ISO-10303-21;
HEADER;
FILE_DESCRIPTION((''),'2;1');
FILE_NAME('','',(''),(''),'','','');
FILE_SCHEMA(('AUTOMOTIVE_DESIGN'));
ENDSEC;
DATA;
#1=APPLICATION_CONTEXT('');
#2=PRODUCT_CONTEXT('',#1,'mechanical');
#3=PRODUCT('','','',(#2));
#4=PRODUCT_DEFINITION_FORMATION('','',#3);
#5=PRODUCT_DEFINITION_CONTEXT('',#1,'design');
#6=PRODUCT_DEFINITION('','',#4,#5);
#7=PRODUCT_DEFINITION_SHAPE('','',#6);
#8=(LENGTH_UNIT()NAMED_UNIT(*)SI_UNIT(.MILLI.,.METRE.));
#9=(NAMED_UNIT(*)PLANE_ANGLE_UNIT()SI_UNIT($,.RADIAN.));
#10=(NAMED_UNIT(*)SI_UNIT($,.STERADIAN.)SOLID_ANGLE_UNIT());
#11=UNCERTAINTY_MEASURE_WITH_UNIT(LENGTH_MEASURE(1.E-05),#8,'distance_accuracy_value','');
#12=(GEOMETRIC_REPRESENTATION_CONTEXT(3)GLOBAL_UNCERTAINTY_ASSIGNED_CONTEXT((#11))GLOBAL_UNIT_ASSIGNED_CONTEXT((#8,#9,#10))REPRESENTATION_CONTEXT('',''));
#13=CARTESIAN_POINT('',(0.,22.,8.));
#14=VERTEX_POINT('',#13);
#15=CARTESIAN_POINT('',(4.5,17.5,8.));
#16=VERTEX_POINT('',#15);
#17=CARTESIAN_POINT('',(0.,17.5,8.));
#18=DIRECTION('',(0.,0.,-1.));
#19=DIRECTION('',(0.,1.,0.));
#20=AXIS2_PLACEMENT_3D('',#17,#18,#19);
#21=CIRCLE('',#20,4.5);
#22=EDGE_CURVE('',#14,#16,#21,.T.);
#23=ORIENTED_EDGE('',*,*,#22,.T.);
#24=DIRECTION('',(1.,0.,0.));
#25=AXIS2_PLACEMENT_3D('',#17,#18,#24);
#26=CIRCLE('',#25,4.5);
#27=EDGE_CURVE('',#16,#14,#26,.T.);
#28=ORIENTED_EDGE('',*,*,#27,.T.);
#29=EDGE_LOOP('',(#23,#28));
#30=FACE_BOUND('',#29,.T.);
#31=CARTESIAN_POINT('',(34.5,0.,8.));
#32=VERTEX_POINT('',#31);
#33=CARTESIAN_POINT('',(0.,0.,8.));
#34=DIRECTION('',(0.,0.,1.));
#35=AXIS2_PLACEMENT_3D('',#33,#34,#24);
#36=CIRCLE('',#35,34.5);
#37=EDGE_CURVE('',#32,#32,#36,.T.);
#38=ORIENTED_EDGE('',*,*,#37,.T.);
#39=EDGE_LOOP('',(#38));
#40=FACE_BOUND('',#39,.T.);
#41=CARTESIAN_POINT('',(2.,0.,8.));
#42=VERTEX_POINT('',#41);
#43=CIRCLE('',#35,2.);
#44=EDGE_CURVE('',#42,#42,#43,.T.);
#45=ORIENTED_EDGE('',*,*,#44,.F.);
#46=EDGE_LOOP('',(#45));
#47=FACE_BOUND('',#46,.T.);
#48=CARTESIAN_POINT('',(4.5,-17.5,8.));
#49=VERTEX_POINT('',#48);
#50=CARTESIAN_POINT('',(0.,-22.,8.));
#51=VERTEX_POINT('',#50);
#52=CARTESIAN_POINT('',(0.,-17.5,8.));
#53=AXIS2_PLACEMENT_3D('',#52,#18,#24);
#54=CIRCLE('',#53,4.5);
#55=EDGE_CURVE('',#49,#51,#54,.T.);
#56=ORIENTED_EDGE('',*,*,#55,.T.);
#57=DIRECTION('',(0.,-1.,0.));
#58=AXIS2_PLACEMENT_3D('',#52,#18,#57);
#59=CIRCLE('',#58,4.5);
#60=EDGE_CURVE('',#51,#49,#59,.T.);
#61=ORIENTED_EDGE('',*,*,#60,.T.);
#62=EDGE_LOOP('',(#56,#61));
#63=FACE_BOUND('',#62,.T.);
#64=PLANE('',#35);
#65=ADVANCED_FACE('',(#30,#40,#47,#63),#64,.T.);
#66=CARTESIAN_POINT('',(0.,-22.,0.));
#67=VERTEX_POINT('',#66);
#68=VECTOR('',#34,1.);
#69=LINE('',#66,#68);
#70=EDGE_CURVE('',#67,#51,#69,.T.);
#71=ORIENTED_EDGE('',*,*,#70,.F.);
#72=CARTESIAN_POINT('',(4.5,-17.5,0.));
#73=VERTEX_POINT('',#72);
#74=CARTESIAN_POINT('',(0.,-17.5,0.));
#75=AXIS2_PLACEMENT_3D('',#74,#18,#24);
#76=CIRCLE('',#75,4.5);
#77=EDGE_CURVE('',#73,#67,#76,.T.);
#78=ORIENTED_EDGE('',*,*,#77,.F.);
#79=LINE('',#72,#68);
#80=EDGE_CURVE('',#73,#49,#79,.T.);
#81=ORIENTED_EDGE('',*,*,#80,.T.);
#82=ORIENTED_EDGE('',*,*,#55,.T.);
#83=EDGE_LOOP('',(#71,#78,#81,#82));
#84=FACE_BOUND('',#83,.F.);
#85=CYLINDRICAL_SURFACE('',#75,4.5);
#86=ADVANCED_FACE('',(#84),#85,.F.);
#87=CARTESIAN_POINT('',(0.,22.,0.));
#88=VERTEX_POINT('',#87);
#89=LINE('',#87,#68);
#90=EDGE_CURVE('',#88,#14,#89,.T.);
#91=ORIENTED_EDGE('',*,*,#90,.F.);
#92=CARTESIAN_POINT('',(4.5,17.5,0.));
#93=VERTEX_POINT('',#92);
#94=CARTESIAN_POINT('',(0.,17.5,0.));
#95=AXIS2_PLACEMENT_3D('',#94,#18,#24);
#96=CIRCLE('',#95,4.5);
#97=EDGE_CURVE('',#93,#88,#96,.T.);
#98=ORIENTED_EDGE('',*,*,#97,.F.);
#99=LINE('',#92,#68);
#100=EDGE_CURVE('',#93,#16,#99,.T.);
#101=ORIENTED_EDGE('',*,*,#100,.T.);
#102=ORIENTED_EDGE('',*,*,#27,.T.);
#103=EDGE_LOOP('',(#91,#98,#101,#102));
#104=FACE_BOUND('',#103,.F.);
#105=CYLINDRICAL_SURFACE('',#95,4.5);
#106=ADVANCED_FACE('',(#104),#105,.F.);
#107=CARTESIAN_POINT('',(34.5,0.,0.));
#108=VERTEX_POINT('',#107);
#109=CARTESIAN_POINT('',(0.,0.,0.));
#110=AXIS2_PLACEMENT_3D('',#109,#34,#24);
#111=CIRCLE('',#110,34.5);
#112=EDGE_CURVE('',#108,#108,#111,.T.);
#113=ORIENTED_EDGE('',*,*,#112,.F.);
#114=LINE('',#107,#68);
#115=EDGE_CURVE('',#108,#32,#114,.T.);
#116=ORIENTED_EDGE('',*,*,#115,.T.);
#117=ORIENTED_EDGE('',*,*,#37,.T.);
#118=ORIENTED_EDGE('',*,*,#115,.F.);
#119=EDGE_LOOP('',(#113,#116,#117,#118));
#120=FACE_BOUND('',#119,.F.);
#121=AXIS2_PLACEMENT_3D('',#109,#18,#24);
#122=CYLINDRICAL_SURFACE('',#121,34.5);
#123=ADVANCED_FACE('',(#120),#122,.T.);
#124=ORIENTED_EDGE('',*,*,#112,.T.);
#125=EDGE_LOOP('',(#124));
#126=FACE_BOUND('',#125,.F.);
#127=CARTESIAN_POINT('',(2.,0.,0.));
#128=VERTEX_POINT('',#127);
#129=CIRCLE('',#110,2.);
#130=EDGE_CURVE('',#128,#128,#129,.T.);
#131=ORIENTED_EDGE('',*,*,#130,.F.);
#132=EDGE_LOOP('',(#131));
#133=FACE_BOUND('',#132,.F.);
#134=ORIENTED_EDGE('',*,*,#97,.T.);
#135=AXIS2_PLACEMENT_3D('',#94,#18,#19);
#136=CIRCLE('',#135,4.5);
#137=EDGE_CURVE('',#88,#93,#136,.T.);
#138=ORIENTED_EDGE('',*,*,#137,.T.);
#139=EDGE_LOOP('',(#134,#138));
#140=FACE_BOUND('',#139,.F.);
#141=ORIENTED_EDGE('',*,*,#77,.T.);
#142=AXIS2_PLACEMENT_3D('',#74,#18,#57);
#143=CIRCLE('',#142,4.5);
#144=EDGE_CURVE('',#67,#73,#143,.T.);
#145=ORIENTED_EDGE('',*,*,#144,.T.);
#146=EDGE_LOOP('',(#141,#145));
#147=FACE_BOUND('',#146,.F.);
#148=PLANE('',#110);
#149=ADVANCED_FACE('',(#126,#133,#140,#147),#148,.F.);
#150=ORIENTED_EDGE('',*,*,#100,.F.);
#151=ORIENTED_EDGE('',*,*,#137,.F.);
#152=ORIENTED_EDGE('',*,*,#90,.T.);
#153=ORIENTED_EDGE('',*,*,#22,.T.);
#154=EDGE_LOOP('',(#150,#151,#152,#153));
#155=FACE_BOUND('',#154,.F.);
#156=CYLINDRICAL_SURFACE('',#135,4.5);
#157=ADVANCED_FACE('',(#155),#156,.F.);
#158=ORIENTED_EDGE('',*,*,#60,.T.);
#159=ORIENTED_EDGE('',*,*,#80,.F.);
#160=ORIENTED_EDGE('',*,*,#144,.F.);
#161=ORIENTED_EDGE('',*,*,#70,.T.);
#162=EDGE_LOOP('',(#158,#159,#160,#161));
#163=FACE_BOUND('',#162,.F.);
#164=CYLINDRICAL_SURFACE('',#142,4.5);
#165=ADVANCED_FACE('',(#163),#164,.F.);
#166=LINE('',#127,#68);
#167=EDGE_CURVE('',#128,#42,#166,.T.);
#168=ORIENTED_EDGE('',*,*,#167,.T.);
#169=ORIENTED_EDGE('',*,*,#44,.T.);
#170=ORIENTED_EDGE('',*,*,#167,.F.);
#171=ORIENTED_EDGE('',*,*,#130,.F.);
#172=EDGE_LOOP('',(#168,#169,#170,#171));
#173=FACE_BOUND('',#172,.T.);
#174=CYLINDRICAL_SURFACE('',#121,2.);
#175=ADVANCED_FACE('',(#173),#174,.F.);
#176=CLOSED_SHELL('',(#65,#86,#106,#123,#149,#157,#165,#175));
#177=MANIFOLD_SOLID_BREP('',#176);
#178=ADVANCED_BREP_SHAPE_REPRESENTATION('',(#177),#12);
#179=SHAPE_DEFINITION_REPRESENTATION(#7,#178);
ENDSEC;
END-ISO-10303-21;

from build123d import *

# Parameters (mm, degrees)
F0_R     = 34.5
F0_R_2   = 2
F1_DEPTH = 8


with BuildPart() as f1:
    # F0 (on Top) → F1 (new body)
    with BuildSketch(Plane.XY):
        Circle(F0_R)
        with BuildLine():
            ThreePointArc((0, 22), (15.5563491861, 15.5563491861), (22, 0))
            ThreePointArc((22, 0), (15.5563491861, -15.5563491861), (0, -22))
            ThreePointArc((0, -22), (-22, 0), (0, 22))
        make_face(mode=Mode.SUBTRACT)
        with BuildLine():
            ThreePointArc((0, -22), (15.5563491861, -15.5563491861), (22, 0))
            ThreePointArc((22, 0), (15.5563491861, 15.5563491861), (0, 22))
            ThreePointArc((0, 22), (-22, 0), (0, -22))
        make_face()
        with BuildLine():
            ThreePointArc((4.5, -17.5), (3.1819805153, -20.6819805153), (0, -22))
            ThreePointArc((0, -22), (-3.1819805153, -14.3180194847), (4.5, -17.5))
        make_face(mode=Mode.SUBTRACT)
        Circle(F0_R_2, mode=Mode.SUBTRACT)
        with BuildLine():
            ThreePointArc((4.5, 17.5), (-3.1819805153, 14.3180194847), (0, 22))
            ThreePointArc((0, 22), (3.1819805153, 20.6819805153), (4.5, 17.5))
        make_face(mode=Mode.SUBTRACT)
    extrude(amount=F1_DEPTH)


solid = f1.part
